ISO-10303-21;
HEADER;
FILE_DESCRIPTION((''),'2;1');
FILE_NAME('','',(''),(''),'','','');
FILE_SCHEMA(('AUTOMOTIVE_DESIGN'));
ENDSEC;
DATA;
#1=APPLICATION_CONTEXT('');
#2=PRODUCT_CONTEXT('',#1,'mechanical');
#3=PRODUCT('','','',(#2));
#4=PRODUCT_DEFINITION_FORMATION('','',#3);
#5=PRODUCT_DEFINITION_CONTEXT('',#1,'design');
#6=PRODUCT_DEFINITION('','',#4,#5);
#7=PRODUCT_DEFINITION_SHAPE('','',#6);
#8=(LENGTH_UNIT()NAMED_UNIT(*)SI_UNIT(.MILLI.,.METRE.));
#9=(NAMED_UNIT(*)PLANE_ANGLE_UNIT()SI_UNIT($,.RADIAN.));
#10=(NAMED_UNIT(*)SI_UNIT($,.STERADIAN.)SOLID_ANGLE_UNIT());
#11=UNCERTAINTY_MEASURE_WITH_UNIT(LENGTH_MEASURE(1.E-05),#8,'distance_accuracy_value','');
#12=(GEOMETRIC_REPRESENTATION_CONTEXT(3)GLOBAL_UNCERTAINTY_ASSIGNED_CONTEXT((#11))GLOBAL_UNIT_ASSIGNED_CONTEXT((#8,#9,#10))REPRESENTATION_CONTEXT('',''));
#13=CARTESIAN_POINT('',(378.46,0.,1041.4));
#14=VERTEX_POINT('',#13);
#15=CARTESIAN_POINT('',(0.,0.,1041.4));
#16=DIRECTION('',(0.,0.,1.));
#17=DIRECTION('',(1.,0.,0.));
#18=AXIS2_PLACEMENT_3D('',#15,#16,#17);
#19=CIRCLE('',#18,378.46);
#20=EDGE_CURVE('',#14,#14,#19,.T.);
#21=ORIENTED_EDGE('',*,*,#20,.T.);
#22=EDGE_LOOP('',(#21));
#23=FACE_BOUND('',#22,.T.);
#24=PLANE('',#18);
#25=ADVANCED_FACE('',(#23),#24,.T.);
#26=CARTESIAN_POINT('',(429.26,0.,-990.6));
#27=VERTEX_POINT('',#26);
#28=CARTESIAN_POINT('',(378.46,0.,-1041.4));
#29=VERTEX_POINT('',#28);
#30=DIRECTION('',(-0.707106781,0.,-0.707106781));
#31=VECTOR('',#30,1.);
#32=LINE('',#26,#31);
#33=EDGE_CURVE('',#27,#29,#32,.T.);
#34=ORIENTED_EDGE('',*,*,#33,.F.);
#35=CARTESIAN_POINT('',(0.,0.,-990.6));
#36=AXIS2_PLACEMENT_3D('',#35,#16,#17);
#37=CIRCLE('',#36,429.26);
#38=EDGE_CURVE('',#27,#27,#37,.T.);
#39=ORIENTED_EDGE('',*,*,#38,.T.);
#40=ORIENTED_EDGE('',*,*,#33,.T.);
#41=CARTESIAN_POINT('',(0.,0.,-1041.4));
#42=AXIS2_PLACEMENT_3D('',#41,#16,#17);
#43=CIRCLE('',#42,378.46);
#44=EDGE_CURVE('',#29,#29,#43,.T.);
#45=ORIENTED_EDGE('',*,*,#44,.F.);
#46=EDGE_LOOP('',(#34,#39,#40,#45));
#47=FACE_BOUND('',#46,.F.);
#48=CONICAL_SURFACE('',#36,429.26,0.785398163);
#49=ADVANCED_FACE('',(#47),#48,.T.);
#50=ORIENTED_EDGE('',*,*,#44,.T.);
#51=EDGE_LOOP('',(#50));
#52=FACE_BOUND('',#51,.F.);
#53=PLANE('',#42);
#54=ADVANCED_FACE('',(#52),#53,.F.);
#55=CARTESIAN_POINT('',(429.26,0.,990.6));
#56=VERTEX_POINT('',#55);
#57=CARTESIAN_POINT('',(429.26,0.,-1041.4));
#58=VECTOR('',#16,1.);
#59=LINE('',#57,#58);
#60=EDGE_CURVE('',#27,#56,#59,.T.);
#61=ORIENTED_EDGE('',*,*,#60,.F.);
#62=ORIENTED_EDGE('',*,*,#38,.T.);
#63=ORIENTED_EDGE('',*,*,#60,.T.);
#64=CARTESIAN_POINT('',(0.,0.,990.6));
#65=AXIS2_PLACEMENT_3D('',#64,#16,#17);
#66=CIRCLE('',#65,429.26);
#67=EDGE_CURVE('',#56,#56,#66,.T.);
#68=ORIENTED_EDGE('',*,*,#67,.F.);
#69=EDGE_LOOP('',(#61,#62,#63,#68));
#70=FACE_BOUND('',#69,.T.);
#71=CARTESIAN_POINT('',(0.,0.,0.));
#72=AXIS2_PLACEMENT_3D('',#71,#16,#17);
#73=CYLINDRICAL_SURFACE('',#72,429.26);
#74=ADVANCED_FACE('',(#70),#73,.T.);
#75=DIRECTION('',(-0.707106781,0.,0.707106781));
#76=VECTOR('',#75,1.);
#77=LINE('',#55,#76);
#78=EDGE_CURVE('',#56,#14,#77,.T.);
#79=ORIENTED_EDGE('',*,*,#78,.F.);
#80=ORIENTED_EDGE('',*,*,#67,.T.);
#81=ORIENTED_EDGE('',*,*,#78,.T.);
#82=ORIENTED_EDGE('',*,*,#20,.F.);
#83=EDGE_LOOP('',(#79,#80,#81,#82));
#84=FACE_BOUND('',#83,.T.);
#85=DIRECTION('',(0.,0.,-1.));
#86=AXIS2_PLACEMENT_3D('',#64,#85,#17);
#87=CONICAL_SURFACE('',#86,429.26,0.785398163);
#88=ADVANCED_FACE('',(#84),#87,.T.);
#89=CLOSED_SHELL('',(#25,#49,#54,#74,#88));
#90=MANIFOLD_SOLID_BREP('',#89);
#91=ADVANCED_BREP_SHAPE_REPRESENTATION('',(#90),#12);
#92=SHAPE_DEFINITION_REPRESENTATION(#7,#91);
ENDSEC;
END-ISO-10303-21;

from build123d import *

# Parameters (mm, degrees)
SKETCH1_R           = 429.26
BOSS_EXTRUDE1_DEPTH = 1041.4
CHAMFER1_SIZE       = 50.8


with BuildPart() as part:
    # Sketch1 → Boss-Extrude1 (new body, symmetric)
    with BuildSketch(Plane.XY):
        Circle(SKETCH1_R)
    extrude(amount=BOSS_EXTRUDE1_DEPTH, both=True)

    # Chamfer1
    chamfer1_edges = [part.edges().sort_by_distance(p)[0] for p in [
        (-429.26, 0, -1041.4),
        (-429.26, 0, 1041.4),
    ]]
    chamfer(chamfer1_edges, length=CHAMFER1_SIZE)


solid = part.part
